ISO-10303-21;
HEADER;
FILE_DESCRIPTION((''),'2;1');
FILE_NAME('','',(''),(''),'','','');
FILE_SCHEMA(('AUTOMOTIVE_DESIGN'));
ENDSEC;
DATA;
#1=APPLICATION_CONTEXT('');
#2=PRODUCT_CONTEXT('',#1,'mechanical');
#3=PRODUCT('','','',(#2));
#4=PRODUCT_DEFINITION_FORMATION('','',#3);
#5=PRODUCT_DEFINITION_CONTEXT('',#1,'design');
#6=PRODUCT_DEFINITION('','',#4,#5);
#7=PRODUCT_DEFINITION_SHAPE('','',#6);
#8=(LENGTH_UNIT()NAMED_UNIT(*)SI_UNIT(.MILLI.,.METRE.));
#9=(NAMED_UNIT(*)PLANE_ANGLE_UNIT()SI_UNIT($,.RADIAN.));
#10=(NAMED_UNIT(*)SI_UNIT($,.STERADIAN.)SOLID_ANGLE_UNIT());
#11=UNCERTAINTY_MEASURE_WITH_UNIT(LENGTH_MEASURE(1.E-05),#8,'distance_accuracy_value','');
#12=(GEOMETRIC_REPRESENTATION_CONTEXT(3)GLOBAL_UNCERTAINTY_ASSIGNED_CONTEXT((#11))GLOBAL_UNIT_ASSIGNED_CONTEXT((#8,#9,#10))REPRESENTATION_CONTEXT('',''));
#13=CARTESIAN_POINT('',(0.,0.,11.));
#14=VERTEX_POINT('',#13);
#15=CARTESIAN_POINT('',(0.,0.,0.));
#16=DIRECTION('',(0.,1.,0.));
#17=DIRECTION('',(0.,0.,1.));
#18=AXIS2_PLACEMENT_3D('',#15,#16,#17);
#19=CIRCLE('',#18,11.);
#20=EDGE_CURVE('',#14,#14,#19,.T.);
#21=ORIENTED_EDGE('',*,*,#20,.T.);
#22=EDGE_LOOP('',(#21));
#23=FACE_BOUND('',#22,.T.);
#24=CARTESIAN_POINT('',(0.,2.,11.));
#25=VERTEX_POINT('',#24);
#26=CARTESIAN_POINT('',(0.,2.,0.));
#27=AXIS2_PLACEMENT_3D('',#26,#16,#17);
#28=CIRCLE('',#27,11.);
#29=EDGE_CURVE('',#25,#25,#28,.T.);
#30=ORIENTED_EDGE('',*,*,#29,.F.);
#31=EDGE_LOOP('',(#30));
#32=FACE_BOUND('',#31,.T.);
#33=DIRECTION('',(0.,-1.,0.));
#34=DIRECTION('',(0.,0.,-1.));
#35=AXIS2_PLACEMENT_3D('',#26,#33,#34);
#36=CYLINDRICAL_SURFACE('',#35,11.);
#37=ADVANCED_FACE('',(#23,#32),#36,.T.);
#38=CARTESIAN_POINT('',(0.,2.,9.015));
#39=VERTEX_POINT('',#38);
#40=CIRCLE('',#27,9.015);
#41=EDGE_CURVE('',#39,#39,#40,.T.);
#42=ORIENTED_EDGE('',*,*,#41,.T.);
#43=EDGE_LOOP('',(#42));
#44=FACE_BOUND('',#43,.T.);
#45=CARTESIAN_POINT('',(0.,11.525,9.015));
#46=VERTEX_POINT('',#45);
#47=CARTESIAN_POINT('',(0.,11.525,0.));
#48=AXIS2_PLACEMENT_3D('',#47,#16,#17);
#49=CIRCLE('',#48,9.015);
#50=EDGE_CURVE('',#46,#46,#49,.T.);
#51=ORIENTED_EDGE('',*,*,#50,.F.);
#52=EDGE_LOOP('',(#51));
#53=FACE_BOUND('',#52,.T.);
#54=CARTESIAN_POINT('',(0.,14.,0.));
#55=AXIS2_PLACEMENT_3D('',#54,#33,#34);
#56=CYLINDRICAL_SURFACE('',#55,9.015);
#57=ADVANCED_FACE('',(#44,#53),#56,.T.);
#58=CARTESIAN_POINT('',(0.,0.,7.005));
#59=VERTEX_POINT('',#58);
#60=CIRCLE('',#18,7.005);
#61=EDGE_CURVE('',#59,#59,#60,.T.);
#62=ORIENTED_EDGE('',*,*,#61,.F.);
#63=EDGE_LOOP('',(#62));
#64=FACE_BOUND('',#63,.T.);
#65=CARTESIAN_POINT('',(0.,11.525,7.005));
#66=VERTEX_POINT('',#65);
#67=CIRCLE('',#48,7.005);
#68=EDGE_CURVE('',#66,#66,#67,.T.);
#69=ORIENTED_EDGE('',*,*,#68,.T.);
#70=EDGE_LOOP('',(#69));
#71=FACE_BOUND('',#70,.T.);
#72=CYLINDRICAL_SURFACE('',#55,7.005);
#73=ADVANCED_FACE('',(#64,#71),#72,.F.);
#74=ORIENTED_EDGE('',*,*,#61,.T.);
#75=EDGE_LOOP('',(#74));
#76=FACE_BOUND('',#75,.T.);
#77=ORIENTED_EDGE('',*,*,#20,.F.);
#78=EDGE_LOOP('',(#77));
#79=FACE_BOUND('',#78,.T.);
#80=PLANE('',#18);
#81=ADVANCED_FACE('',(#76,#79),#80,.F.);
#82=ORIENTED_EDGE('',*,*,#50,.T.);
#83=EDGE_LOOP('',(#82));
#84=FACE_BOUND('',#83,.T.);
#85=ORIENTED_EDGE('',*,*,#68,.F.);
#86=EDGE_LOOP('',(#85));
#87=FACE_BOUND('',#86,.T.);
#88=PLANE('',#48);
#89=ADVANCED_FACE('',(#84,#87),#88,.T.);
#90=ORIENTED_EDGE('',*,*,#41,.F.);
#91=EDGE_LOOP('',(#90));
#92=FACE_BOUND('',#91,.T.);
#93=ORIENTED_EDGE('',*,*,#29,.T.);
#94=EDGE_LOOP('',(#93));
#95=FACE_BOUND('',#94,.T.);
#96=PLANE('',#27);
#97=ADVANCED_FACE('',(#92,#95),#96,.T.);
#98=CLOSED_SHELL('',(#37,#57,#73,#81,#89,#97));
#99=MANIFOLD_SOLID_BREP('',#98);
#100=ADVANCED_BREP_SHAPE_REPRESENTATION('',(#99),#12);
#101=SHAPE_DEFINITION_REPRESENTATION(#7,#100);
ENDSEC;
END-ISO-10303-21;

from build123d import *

# Parameters (mm, degrees)
SKETCH2_R           = 9.015
SKETCH2_R_2         = 7.005
BOSS_EXTRUDE1_DEPTH = 14
SKETCH3_R           = 11
SKETCH3_R_2         = 9.015
BOSS_EXTRUDE2_DEPTH = 2
CUT_EXTRUDE1_START  = -2.475
SKETCH4_R           = 9.015
CUT_EXTRUDE1_DEPTH  = 2.475


with BuildPart() as part:
    # Sketch2 → Boss-Extrude1 (new body)
    with BuildSketch(Plane(origin=(0, 0, 0), x_dir=(1, 0, 0), z_dir=(0, 1, 0))):
        Circle(SKETCH2_R)
        Circle(SKETCH2_R_2, mode=Mode.SUBTRACT)
    extrude(amount=BOSS_EXTRUDE1_DEPTH)

    # Sketch3 → Boss-Extrude2 (add)
    with BuildSketch(Plane(origin=(0, 0, 0), x_dir=(1, 0, 0), z_dir=(0, 1, 0))):
        Circle(SKETCH3_R)
        Circle(SKETCH3_R_2, mode=Mode.SUBTRACT)
    extrude(amount=BOSS_EXTRUDE2_DEPTH)

    # Sketch4 → Cut-Extrude1 (cut)
    with BuildSketch(Plane(origin=(0, 14, 0), x_dir=(1, 0, 0), z_dir=(0, 1, 0)).offset(CUT_EXTRUDE1_START)):
        Circle(SKETCH4_R)
    extrude(amount=CUT_EXTRUDE1_DEPTH, mode=Mode.SUBTRACT)


solid = part.part
